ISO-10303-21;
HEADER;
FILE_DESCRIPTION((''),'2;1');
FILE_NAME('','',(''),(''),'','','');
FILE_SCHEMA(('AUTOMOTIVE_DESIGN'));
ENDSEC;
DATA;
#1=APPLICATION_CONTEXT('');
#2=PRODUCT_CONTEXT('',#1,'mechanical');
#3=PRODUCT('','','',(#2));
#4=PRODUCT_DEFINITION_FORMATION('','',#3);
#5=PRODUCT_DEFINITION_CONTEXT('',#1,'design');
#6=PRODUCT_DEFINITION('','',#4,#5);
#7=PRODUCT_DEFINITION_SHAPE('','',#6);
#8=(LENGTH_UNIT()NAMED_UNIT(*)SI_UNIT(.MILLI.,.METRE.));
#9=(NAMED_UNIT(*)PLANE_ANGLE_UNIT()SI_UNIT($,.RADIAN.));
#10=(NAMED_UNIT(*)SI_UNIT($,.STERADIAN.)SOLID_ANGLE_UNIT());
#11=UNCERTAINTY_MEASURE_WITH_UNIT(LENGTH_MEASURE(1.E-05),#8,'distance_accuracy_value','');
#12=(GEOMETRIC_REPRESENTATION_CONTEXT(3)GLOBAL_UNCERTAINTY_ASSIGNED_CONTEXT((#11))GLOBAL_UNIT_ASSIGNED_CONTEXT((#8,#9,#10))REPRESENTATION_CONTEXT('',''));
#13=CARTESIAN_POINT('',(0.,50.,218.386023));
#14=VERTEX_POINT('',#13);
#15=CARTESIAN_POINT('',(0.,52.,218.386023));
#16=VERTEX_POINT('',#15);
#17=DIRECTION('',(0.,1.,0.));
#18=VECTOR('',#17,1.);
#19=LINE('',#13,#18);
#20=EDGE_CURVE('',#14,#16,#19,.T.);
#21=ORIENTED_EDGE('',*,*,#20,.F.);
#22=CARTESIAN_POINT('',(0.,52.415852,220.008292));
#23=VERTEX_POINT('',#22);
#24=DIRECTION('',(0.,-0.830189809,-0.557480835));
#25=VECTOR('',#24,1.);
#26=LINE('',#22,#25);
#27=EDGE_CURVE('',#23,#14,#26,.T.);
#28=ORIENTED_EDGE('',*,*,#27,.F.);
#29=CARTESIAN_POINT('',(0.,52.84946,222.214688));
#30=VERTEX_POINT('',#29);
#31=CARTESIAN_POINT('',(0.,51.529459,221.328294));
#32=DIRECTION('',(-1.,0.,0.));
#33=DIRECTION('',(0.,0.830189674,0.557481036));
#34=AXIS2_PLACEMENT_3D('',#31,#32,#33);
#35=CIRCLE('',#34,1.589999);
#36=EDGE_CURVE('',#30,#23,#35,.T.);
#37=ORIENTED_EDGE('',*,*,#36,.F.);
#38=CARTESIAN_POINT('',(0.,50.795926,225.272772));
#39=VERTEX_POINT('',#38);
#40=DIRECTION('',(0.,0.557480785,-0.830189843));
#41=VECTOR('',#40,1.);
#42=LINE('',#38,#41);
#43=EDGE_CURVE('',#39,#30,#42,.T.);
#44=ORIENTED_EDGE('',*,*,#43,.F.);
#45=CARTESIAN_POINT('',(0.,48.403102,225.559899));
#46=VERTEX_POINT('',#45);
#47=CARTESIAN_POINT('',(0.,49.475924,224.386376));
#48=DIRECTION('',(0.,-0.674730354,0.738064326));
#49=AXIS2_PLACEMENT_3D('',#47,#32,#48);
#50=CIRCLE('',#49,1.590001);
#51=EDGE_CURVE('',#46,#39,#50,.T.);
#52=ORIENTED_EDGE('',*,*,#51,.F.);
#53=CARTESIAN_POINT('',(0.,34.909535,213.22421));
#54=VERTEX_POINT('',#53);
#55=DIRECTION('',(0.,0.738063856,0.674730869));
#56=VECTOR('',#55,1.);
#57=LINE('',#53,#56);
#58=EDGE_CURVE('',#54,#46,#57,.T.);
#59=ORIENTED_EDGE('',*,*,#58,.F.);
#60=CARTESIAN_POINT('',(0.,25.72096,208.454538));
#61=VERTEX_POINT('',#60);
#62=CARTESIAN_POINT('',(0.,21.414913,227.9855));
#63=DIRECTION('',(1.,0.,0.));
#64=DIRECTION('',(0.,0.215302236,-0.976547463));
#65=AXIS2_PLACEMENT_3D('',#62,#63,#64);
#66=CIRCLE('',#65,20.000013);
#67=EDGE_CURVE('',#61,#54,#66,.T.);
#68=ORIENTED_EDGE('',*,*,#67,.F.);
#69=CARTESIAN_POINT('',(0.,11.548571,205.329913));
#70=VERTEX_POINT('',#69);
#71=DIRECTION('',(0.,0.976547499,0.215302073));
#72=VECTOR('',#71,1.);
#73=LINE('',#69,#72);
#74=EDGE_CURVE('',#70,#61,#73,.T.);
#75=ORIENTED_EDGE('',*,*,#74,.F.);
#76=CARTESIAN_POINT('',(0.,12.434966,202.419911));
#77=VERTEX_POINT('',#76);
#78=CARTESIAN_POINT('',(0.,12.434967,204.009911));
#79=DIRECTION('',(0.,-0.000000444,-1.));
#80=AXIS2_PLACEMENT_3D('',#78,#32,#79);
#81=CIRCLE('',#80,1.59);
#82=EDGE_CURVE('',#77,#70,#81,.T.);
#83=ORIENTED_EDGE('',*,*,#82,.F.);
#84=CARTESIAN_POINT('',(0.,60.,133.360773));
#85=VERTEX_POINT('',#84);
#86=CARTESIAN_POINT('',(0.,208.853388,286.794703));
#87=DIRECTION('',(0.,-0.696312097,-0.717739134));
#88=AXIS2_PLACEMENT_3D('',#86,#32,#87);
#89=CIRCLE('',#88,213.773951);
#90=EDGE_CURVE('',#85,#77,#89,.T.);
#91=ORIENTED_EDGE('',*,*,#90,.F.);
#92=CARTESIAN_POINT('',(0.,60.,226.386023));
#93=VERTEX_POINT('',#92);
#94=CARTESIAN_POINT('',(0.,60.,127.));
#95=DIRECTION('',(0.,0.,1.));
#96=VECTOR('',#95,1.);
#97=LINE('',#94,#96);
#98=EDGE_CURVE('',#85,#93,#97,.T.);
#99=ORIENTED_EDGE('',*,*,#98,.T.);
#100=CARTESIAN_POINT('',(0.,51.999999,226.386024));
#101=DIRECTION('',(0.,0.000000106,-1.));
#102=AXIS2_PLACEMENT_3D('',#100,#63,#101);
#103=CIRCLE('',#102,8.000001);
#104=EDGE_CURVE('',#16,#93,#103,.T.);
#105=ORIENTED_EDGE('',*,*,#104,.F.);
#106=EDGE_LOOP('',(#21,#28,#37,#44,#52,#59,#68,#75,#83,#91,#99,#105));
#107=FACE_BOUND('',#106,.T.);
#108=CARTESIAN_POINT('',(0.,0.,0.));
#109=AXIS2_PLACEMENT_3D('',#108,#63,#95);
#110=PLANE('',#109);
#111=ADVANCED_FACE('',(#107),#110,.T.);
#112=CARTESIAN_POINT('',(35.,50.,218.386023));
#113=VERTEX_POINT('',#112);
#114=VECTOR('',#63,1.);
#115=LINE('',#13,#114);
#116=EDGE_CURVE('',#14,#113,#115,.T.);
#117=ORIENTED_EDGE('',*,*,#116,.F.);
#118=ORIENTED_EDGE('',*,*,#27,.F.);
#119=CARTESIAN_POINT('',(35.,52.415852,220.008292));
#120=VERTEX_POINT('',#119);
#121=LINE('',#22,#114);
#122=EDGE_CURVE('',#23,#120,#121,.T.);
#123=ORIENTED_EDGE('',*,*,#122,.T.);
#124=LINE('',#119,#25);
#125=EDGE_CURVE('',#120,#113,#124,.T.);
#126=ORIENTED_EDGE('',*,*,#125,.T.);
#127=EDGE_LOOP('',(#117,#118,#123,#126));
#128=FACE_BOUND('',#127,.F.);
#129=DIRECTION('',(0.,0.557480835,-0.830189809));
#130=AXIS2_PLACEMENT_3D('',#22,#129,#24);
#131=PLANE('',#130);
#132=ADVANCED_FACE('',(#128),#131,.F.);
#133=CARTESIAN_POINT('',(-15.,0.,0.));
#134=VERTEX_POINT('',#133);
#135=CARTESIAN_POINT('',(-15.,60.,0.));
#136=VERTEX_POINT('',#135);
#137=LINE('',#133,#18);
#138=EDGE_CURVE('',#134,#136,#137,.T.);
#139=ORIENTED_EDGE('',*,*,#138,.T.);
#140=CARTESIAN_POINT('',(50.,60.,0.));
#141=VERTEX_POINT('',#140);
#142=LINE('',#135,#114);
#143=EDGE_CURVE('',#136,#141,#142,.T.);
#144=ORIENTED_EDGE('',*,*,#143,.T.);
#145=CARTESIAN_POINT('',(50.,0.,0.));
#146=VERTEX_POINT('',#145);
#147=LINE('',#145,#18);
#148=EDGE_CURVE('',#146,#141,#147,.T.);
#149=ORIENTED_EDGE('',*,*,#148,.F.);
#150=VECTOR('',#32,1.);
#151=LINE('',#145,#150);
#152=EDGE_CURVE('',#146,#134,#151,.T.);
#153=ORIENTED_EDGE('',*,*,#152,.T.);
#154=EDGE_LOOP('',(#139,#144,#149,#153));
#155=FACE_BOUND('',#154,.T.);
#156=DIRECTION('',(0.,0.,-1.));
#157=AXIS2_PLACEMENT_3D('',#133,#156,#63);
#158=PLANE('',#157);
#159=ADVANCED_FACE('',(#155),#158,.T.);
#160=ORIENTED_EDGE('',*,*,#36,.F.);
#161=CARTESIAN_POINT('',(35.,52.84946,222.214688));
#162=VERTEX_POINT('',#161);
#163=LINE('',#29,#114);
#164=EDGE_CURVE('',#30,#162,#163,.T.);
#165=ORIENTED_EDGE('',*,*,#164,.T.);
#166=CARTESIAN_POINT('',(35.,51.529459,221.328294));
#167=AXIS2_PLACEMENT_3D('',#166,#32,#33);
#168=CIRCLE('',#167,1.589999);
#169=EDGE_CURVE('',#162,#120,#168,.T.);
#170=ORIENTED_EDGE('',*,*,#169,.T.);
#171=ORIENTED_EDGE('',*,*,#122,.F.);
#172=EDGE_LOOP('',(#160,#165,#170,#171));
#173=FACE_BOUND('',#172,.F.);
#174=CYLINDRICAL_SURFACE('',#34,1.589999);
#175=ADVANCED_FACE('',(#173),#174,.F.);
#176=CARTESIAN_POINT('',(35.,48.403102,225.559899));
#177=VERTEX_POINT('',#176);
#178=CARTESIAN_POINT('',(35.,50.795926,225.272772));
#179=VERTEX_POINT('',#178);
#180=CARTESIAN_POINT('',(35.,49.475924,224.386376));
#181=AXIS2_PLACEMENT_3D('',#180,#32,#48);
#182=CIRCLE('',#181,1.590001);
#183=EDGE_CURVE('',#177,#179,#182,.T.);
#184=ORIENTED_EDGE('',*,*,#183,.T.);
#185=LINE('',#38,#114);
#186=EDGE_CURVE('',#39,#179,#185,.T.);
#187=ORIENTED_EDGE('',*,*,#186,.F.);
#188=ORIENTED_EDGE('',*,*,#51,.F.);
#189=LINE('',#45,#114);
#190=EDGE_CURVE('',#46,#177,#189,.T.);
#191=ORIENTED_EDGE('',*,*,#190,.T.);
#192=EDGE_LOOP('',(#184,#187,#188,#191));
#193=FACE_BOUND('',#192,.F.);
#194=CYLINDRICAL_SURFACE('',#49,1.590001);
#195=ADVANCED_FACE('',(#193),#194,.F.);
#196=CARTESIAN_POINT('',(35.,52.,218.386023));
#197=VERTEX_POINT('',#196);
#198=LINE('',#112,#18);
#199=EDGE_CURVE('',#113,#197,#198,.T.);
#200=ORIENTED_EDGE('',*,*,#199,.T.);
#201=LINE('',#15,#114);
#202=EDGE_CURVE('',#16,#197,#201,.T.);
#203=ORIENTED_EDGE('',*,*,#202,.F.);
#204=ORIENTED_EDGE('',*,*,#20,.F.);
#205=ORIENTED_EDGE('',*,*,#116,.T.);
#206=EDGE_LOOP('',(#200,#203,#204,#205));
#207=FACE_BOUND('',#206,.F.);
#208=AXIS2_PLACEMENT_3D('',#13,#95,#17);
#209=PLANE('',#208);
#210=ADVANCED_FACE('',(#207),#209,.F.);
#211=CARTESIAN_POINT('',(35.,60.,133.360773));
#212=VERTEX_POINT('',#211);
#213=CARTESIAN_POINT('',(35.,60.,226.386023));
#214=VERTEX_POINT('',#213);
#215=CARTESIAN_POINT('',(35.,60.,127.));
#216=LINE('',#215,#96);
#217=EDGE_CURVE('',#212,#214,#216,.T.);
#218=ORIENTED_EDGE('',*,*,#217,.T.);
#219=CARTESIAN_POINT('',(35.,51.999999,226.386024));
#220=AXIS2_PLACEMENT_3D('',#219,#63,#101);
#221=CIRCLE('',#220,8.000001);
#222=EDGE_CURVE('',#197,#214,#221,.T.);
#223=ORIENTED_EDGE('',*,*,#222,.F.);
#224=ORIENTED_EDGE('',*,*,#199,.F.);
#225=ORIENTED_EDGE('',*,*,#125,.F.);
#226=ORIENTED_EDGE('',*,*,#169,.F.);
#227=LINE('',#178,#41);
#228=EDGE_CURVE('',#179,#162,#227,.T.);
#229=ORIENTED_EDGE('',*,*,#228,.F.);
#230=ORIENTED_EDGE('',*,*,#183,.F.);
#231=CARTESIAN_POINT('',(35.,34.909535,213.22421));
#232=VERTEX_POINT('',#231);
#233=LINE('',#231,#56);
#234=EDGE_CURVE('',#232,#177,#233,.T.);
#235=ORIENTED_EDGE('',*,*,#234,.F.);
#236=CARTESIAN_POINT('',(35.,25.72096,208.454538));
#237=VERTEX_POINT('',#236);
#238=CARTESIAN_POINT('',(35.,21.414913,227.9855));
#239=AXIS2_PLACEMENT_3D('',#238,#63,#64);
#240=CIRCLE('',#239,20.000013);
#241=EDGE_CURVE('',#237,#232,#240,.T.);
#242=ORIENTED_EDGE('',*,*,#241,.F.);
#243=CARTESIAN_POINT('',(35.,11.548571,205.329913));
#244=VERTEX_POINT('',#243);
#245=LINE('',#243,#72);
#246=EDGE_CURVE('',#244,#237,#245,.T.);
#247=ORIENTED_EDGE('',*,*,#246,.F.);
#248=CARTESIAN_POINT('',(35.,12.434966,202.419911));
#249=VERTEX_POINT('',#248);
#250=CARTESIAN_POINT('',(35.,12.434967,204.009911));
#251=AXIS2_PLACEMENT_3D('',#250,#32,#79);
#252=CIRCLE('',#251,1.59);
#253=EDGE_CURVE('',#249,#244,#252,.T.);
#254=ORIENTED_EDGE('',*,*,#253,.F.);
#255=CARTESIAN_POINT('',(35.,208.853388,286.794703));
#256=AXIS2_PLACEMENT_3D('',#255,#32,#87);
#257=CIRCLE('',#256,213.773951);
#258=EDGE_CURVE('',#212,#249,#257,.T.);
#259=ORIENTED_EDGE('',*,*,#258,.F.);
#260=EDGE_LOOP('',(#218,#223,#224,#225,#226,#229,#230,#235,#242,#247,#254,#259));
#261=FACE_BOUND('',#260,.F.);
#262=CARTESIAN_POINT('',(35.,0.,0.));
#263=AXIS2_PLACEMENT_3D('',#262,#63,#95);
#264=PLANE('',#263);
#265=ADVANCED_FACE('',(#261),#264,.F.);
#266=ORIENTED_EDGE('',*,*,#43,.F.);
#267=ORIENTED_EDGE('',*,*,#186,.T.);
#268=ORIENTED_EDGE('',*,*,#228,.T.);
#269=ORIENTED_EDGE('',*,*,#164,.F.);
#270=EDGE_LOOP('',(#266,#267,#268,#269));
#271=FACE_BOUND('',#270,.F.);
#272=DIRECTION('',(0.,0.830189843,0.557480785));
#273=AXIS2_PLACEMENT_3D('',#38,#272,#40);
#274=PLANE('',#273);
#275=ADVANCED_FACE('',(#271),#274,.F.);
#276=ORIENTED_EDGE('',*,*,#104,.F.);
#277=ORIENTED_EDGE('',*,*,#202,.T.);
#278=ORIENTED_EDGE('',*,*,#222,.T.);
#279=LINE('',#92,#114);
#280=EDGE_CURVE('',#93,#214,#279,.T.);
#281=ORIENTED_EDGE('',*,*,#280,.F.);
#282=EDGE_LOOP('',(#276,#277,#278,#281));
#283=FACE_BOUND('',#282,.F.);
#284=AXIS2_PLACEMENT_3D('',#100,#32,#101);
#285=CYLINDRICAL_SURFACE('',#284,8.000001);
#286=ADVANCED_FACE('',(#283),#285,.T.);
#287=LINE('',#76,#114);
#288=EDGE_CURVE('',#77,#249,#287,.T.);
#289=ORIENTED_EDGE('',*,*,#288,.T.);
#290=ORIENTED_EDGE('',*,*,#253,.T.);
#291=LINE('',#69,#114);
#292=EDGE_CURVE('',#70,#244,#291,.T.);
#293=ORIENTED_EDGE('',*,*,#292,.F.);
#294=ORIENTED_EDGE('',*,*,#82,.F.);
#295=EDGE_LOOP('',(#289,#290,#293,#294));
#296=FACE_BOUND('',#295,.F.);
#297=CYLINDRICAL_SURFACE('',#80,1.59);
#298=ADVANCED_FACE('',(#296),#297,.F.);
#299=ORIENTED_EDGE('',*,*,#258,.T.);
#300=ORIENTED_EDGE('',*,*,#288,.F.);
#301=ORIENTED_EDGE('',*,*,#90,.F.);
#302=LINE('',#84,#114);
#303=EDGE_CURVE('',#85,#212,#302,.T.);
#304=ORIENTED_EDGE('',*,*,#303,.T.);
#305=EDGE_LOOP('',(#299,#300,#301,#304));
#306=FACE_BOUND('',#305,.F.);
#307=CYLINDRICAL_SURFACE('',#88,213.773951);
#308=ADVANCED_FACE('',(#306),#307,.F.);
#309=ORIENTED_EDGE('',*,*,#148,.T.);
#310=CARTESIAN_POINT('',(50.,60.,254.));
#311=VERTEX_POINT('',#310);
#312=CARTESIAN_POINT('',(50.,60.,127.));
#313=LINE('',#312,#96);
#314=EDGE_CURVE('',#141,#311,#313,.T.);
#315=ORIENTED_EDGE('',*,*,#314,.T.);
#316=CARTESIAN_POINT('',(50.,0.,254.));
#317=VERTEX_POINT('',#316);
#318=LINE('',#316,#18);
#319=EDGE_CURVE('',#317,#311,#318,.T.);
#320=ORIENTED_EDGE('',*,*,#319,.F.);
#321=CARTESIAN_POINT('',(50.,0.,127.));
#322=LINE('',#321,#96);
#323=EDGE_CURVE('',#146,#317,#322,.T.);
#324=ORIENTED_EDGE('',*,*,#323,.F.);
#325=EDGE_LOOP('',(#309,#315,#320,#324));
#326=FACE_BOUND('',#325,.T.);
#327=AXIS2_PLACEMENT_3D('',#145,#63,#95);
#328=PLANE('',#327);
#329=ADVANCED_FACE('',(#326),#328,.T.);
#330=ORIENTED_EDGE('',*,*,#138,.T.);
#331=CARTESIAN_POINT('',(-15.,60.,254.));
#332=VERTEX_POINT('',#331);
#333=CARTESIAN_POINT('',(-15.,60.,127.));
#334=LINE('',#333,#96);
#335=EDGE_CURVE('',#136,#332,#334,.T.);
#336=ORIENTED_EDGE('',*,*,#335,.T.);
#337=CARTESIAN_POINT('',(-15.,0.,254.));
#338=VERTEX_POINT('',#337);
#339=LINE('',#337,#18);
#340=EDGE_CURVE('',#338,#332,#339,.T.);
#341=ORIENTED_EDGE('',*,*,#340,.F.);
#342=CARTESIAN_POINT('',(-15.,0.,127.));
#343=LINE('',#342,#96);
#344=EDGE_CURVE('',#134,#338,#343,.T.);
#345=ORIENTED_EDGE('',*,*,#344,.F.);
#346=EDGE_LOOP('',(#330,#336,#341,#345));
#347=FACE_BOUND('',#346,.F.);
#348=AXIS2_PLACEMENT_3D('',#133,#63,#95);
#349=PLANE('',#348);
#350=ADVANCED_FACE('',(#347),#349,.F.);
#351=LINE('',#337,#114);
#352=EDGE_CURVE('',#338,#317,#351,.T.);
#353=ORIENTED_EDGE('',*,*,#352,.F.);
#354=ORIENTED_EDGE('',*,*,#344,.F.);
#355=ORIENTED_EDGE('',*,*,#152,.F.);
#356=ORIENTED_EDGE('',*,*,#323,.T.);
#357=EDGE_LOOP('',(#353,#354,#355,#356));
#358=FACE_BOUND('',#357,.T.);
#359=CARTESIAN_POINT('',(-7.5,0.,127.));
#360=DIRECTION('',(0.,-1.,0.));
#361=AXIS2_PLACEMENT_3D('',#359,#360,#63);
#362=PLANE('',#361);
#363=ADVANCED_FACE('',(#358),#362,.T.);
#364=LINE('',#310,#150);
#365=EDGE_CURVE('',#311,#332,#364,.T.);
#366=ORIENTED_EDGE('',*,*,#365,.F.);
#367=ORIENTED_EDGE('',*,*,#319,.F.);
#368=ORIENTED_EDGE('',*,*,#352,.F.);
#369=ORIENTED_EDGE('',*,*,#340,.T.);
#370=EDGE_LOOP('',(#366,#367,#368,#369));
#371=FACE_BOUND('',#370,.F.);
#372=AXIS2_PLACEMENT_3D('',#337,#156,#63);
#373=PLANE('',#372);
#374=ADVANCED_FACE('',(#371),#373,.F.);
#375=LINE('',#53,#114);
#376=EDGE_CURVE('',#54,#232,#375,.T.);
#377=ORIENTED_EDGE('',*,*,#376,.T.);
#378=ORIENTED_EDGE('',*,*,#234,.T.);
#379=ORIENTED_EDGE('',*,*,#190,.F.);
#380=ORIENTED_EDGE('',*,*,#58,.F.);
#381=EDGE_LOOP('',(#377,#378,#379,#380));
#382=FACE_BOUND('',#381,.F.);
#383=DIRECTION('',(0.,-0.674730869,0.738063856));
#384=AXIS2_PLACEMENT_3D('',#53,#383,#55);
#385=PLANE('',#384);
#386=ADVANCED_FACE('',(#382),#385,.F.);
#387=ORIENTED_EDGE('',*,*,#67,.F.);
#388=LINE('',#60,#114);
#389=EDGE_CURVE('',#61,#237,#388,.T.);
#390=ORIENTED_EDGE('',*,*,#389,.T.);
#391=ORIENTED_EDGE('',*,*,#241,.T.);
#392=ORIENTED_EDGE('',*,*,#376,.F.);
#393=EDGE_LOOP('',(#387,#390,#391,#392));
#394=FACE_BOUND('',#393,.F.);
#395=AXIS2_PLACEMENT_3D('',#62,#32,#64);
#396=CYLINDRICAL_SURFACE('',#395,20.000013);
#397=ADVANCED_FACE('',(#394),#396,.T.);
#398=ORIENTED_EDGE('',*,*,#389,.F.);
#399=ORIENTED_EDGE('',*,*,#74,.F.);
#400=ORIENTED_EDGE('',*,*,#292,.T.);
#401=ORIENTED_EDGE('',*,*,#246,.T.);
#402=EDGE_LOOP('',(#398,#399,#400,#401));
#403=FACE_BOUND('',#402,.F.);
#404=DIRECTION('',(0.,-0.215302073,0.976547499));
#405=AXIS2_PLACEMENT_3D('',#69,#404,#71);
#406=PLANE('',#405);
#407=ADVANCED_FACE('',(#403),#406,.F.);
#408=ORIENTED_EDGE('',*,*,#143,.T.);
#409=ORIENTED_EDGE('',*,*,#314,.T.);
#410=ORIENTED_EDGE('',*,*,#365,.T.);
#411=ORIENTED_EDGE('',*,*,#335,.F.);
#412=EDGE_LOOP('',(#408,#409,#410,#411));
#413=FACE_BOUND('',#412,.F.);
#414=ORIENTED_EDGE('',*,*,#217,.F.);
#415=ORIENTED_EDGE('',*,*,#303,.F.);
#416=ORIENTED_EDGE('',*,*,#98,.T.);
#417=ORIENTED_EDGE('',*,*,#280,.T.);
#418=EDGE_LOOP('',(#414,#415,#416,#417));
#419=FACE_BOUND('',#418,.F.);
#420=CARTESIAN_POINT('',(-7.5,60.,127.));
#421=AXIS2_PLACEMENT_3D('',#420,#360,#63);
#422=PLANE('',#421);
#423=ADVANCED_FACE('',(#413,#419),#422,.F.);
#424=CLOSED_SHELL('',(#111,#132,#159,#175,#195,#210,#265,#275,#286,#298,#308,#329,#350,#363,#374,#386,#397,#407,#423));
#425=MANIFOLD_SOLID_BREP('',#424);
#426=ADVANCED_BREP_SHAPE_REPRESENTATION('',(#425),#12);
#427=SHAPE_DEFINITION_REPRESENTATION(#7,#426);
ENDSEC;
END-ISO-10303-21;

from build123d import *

# Parameters (mm, degrees)
F1_DEPTH = 35
F2_W     = 15
F2_H     = 254
F3_DEPTH = 60


with BuildPart() as f1:
    # F0 (on Right) → F1 (new body)
    with BuildSketch(Plane.YZ):
        with BuildLine():
            Line((0, 254), (0, 0))
            Line((0, 0), (60, 0))
            Line((60, 0), (60, 133.360773))
            ThreePointArc((60, 133.360773), (32.79815, 165.535249), (12.434966, 202.419911))
            ThreePointArc((12.434966, 202.419911), (10.913963, 203.546609), (11.548571, 205.329913))
            Line((11.548571, 205.329913), (25.72096, 208.454538))
            ThreePointArc((25.72096, 208.454538), (30.629217, 210.234525), (34.909535, 213.22421))
            Line((34.909535, 213.22421), (48.403102, 225.559899))
            ThreePointArc((48.403102, 225.559899), (49.665358, 225.965052), (50.795926, 225.272772))
            Line((50.795926, 225.272772), (52.84946, 222.214688))
            ThreePointArc((52.84946, 222.214688), (53.089616, 221.021687), (52.415852, 220.008292))
            Line((52.415852, 220.008292), (50, 218.386023))
            Line((50, 218.386023), (52, 218.386023))
            ThreePointArc((52, 218.386023), (57.656854, 220.729169), (60, 226.386023))
            Line((60, 226.386023), (60, 254))
            Line((60, 254), (0, 254))
        make_face()
    extrude(amount=F1_DEPTH)

    # F2 (on face) → F3 (join)
    with BuildSketch(Plane.XZ):
        with Locations((-7.5, 127)):
            Rectangle(F2_W, F2_H)
        with Locations((42.5, 127)):
            Rectangle(F2_W, F2_H)
    extrude(amount=-F3_DEPTH)


solid = f1.part
